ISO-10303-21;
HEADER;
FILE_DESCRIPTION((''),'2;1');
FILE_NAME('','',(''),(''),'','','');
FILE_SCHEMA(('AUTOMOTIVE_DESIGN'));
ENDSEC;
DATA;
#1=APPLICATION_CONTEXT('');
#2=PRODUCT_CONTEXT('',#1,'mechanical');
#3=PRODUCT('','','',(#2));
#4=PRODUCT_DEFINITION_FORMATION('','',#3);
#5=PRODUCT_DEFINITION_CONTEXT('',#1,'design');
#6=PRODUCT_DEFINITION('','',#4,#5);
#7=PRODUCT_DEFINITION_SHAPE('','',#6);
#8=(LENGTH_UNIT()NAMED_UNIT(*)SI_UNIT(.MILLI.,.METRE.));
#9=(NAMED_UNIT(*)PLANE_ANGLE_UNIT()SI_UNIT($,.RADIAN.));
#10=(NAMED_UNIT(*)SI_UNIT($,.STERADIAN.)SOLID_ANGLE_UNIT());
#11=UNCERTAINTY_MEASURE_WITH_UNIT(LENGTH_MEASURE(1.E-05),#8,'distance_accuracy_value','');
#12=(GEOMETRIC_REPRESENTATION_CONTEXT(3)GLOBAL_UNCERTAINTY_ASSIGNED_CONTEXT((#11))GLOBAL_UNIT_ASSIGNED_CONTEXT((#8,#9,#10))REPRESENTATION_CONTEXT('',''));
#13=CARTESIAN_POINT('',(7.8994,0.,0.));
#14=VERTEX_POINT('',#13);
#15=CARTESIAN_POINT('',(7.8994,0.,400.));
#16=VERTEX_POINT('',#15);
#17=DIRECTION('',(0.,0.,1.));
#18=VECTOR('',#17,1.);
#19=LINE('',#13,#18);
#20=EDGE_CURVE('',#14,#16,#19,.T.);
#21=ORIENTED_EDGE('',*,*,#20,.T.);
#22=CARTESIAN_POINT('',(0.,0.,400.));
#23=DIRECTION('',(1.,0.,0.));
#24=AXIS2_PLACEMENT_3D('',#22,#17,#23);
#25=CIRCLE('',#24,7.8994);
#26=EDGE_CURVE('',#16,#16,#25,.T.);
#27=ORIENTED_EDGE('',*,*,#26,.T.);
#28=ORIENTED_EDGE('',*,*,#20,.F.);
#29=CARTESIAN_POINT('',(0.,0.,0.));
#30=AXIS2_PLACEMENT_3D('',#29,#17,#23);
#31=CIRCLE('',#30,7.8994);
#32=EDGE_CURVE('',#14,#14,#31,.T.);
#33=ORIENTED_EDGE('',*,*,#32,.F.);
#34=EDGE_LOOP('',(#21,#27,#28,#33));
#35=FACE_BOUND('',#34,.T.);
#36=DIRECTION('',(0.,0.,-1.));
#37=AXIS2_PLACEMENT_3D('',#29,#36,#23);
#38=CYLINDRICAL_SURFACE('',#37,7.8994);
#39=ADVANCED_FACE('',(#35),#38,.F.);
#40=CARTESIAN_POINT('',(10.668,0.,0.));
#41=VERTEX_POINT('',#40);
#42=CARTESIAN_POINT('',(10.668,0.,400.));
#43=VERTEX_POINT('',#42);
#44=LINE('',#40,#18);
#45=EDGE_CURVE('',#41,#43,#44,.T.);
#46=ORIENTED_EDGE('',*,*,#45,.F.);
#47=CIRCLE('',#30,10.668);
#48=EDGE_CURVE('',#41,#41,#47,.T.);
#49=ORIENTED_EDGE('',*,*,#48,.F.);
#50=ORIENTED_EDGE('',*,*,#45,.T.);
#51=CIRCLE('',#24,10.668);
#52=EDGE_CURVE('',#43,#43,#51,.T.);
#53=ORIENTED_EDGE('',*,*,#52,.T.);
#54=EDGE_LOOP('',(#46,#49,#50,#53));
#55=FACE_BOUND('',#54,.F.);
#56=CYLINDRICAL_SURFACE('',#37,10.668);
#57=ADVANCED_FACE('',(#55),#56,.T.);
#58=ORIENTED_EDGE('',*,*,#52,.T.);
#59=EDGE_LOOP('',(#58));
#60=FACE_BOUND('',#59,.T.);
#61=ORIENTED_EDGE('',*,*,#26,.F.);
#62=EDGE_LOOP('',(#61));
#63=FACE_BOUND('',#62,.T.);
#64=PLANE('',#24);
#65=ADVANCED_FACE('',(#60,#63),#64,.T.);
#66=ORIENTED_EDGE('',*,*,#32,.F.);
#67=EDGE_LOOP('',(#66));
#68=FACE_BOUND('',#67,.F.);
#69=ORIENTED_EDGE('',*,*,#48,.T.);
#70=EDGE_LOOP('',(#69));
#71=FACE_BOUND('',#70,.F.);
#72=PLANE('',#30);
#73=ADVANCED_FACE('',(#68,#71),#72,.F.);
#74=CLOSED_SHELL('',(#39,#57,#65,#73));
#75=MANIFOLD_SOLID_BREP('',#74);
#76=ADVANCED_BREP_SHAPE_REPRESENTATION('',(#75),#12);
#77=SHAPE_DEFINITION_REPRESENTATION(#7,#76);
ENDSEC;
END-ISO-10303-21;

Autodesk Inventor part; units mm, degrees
ref_plane "YZ Plane" through (0, 0, 0) normal (1, 0, 0) x (0, 1, 0)
ref_plane "Start Plane" through (0, 0, 0) normal (0, 0, 1) x (1, 0, 0)
ref_plane "End Plane" through (0, 0, 400) normal (0, 0, 1) x (1, 0, 0)
sketch "Sketch" plane through (0, 0, 0) normal (0, 0, 1) x (1, 0, 0)
  circle A0 centre (0, 0) radius 7.8994
  circle A1 centre (0, 0) radius 10.668
  dimension "d0" = 21.336
  dimension "d1" = 2.7686
extrude "Body" add sketch "Sketch" along normal up to surface (400 mm away) from surface at 0
sketch "Sketch3" plane through (0, 0, 0) normal (0, 0, 1) x (1, 0, 0)
  line L0 (0, 0) -> (10, 0)
ref_plane "Work Plane3" through (0, 0, 0) normal (0, -1, 0) x (1, 0, 0)
sketch "Sketch4" plane through (0, 0, 0) normal (0, -1, 0) x (1, 0, 0)
  line L0 (-2, 0) -> (12, 0) projected
  line L1 (-2, 400) -> (12, 400) projected
  dimension "d7" = 400
equation "\"d0\" = G_H"
equation "\"d1\" = G_T"
equation "\"d2\" = G_L"
equation "\"G_H\" = 21.336"
equation "\"G_T\" = 2.7686"
equation "\"G_L\" = d7"
equation "\"G_OFFSET_START\" = 0"
equation "\"G_OFFSET_END\" = 0"
equation "\"d5\" = G_OFFSET_END + B_L"
equation "\"B_L\" = 400"
properties part number "ANSI - 1/2 x 0.109 - 15.748" material "Steel, Mild"
